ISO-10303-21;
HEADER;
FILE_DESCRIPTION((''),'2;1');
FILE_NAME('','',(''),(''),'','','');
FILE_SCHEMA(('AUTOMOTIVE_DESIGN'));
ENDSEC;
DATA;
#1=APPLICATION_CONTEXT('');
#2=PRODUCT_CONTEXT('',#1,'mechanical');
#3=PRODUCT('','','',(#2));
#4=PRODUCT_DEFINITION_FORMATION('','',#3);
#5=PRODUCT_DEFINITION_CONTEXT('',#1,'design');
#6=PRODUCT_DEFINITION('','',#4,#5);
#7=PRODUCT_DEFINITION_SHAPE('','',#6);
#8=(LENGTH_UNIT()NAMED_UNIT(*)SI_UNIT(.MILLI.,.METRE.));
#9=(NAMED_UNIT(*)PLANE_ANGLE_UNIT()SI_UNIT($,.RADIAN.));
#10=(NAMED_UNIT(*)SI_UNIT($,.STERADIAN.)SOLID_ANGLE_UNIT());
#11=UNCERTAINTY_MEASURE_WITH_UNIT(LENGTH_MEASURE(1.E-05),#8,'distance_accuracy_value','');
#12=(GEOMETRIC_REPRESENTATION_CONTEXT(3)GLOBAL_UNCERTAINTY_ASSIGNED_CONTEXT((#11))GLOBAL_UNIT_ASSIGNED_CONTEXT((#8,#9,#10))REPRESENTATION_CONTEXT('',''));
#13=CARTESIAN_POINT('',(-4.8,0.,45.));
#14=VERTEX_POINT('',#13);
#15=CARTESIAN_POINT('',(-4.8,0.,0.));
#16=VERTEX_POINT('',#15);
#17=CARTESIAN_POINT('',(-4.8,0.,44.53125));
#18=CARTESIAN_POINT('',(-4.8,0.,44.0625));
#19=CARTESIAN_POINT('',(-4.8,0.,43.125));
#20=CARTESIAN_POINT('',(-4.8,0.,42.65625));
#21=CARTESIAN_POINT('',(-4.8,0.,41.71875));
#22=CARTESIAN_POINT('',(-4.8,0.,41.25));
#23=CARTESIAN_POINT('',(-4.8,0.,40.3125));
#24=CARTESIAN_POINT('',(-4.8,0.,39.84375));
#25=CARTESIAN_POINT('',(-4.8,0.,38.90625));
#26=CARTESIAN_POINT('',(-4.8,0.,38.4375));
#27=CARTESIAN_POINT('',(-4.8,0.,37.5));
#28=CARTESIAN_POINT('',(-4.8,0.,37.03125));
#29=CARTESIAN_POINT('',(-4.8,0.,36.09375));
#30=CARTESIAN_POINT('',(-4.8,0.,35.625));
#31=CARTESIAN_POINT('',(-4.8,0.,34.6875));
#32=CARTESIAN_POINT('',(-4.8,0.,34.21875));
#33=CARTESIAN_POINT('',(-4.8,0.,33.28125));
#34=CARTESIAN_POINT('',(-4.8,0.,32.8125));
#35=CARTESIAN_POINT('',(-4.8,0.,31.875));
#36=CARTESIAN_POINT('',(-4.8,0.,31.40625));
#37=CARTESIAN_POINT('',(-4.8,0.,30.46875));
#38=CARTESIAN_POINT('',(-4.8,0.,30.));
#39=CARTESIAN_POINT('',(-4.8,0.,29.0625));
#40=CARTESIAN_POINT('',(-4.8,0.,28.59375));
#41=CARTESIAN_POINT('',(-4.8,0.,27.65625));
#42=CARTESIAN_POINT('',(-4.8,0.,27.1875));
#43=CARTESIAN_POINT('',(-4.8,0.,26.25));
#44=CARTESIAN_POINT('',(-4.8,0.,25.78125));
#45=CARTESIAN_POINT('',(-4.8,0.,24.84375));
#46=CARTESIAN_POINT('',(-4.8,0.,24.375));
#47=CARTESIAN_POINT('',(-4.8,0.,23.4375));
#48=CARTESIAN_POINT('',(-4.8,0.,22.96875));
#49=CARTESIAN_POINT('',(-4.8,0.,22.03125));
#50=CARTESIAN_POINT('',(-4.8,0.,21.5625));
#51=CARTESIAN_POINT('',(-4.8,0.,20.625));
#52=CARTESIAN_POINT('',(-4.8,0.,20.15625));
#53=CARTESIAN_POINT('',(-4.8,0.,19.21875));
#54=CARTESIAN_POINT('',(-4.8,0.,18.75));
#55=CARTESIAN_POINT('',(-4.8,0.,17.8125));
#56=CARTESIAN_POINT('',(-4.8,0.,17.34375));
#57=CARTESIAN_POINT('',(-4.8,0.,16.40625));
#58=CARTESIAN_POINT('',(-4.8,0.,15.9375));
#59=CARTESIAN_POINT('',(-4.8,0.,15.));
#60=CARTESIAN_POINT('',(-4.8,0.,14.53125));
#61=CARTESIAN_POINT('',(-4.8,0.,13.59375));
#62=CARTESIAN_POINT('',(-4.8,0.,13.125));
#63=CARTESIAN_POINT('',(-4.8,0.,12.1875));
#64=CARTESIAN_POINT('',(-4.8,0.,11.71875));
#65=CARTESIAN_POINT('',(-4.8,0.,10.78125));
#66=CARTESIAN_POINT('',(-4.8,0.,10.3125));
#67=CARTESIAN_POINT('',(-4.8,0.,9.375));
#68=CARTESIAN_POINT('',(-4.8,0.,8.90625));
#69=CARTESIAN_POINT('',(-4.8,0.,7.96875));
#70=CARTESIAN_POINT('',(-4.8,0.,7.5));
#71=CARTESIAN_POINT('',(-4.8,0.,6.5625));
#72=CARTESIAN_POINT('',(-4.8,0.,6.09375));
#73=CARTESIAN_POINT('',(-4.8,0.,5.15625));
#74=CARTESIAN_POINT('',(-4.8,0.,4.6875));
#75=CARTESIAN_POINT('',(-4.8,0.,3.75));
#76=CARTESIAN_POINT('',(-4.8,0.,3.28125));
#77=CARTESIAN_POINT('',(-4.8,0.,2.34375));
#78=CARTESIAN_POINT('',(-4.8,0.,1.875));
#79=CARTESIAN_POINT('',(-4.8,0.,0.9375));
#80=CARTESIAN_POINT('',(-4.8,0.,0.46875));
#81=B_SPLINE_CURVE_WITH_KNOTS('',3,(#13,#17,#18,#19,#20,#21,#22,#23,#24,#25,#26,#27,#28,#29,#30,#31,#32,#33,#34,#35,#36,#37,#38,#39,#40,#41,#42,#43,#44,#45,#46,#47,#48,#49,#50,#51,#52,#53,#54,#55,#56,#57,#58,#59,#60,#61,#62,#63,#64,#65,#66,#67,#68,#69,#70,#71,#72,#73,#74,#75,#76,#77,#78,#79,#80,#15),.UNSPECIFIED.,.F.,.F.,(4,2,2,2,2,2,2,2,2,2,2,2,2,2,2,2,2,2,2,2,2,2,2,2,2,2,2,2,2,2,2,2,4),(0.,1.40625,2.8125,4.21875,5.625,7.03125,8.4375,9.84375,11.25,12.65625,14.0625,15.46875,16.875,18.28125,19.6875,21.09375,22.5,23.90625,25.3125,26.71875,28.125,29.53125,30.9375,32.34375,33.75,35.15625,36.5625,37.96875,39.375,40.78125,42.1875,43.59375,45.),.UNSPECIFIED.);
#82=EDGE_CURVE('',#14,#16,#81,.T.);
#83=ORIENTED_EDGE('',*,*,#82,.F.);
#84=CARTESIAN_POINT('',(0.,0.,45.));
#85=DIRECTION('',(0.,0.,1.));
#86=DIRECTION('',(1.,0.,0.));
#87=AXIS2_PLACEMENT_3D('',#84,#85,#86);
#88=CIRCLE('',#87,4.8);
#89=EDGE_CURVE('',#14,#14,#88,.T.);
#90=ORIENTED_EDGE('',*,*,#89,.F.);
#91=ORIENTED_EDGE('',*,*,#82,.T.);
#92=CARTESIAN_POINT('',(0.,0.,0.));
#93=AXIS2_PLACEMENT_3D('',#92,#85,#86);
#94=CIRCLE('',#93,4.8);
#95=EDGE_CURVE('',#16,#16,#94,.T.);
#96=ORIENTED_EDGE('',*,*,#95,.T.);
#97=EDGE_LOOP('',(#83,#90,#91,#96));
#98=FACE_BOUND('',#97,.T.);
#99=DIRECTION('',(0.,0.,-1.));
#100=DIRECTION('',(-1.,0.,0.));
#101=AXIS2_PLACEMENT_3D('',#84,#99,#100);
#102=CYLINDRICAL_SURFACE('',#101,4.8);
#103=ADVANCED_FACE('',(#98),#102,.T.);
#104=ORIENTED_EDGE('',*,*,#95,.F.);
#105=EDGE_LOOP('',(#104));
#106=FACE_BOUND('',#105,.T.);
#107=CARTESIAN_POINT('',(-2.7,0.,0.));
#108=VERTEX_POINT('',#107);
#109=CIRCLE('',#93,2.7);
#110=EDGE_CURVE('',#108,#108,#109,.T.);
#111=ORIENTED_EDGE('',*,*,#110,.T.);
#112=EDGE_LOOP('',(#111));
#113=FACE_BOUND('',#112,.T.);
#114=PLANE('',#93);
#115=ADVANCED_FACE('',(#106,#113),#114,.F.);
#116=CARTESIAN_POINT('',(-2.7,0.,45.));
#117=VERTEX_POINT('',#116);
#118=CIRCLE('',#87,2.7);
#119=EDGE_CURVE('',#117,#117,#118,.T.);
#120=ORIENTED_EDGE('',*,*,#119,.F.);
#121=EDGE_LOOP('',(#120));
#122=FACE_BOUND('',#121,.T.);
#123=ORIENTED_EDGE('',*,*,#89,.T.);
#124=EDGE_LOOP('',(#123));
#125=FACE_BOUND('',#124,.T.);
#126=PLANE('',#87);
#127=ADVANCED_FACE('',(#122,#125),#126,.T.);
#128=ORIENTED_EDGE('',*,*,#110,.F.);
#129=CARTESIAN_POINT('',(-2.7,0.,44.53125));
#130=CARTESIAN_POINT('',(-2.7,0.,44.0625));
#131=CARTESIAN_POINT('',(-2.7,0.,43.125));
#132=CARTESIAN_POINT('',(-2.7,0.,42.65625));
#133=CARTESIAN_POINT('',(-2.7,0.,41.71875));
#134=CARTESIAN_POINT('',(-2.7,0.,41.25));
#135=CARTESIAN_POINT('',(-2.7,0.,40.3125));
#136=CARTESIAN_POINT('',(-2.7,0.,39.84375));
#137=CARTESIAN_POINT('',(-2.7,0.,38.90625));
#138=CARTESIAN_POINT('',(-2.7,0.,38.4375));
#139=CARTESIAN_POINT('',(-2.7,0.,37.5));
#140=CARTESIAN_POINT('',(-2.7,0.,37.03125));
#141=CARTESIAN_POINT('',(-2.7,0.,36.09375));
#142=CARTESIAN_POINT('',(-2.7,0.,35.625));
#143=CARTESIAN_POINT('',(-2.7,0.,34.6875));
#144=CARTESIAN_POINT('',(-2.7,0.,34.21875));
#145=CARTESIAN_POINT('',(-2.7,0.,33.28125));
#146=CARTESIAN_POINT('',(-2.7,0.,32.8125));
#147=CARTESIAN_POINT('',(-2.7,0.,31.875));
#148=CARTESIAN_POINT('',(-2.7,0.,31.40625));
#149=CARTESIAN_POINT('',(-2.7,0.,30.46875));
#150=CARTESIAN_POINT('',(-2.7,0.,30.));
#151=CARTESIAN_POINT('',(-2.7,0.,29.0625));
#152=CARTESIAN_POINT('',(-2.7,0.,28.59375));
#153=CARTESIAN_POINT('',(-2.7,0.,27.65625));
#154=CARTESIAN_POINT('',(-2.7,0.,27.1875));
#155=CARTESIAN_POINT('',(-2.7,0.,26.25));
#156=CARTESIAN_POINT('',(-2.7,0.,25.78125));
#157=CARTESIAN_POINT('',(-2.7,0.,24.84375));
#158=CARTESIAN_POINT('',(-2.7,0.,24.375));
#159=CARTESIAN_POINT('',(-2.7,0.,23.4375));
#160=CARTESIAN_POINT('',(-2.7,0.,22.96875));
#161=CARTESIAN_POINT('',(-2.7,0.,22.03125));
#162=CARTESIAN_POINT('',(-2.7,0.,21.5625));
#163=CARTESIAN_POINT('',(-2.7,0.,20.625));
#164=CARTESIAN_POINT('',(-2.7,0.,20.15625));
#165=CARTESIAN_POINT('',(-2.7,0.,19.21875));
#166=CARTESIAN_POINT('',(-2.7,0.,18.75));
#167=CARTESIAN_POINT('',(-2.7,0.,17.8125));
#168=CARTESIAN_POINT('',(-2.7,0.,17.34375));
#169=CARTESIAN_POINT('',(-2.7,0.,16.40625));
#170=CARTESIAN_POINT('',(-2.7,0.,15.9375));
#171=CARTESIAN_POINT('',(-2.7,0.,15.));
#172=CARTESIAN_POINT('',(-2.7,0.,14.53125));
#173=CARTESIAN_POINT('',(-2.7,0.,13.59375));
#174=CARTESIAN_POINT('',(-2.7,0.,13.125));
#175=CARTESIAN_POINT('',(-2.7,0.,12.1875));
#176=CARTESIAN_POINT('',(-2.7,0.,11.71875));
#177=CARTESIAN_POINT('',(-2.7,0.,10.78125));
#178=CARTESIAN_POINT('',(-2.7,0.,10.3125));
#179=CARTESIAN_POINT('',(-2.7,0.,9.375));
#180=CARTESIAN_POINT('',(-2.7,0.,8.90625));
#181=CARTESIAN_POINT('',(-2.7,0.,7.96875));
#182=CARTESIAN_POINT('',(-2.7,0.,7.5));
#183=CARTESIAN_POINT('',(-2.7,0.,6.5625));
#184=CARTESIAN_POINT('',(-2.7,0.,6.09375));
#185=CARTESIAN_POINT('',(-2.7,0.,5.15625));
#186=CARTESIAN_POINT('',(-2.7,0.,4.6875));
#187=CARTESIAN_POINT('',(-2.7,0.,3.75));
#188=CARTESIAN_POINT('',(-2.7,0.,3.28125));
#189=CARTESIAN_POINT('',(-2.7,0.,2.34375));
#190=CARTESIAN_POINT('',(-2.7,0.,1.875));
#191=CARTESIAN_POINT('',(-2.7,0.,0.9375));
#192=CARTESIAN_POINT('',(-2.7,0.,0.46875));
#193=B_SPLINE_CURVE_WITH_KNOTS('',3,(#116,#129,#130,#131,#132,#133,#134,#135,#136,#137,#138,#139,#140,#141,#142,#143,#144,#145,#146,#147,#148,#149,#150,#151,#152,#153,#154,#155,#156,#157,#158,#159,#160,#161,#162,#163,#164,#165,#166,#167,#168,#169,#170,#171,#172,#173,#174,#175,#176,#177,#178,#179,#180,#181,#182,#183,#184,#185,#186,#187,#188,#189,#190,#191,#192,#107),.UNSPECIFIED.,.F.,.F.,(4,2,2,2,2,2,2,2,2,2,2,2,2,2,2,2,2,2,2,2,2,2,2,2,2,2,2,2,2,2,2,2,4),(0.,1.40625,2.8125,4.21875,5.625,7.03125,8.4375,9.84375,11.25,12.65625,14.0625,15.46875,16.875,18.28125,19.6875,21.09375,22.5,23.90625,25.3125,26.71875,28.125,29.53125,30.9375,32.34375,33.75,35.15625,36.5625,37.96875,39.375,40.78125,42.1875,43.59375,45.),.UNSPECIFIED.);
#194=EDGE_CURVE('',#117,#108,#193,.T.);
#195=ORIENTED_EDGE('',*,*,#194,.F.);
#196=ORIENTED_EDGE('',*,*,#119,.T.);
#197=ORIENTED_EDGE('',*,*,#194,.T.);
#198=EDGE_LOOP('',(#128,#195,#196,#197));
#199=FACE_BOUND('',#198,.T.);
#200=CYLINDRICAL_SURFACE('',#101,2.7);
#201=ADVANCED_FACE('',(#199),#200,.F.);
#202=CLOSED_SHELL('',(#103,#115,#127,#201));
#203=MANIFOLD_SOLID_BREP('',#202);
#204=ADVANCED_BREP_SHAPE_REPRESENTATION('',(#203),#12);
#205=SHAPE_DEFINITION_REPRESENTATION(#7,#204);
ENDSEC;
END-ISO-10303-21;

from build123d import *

# Parameters (mm, degrees)
SKETCH1_R           = 4.8
SKETCH1_R_2         = 2.7
BOSS_EXTRUDE1_DEPTH = 45


with BuildPart() as part:
    # Sketch1 → Boss-Extrude1 (new body)
    with BuildSketch(Plane.XY):
        with Locations(Location((0, 0, 0), (0, 0, 180))):
            Circle(SKETCH1_R)
        with Locations(Location((0, 0, 0), (0, 0, 180))):
            Circle(SKETCH1_R_2, mode=Mode.SUBTRACT)
    extrude(amount=BOSS_EXTRUDE1_DEPTH)


solid = part.part
